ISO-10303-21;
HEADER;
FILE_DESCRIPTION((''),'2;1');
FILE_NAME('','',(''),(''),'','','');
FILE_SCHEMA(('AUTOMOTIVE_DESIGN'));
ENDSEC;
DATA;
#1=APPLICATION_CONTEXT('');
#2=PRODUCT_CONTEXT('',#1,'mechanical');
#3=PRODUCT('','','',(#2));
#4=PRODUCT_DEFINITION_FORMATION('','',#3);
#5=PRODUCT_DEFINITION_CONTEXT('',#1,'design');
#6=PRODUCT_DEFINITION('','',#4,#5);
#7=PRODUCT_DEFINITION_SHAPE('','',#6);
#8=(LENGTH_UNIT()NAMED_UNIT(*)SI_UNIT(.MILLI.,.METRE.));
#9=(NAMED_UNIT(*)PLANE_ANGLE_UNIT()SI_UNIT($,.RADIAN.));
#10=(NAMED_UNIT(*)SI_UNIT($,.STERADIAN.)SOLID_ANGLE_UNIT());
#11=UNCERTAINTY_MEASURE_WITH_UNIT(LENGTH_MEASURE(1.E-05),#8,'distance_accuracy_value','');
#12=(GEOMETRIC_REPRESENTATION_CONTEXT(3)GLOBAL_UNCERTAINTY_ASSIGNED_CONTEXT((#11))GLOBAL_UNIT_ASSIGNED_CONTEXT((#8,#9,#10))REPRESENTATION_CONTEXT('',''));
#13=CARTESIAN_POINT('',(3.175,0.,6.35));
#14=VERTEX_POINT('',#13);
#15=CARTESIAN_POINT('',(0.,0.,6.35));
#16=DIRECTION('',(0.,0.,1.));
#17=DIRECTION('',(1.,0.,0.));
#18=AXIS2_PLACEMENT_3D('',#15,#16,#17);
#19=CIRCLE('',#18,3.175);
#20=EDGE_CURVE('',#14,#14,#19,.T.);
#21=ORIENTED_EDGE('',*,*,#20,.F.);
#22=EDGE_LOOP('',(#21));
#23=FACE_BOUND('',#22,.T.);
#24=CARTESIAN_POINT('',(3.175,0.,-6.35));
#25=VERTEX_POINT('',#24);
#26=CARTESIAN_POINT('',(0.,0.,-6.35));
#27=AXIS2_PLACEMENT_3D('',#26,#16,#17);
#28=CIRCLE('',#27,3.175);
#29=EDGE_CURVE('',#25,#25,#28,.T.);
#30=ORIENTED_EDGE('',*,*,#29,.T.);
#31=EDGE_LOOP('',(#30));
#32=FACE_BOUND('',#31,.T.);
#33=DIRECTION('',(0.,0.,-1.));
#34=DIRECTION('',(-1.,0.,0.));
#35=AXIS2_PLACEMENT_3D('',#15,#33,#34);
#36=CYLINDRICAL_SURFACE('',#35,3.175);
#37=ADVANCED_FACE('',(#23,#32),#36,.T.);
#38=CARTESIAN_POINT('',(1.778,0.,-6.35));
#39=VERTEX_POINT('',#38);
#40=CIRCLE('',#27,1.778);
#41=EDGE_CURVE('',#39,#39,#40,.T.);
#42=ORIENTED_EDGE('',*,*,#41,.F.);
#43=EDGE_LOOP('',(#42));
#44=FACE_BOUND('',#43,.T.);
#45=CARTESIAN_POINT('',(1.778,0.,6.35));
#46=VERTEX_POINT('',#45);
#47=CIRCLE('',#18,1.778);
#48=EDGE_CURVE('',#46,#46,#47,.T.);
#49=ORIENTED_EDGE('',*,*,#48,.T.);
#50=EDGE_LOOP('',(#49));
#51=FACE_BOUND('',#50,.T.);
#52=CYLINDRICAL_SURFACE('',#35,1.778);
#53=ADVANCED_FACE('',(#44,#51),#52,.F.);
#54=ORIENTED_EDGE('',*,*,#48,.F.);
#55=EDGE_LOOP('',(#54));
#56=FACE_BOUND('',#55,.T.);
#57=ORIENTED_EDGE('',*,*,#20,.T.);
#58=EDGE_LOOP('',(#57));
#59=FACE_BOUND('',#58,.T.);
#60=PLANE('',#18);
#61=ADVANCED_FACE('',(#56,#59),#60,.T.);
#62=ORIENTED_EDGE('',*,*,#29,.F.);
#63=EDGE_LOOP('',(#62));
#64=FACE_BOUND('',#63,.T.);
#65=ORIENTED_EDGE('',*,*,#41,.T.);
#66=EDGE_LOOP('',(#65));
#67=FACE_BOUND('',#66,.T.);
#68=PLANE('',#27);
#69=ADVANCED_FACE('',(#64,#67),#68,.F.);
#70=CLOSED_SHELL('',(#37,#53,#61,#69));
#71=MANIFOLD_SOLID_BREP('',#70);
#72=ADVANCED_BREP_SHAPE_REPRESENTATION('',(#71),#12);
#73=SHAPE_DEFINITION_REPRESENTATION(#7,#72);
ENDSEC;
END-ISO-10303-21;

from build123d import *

# Parameters (mm, degrees)
SKETCH1_R      = 3.175
SKETCH1_R_2    = 1.778
EXTRUDE1_DEPTH = 6.35


with BuildPart() as part:
    # Sketch1 → Extrude1 (new body, symmetric)
    with BuildSketch(Plane.XY):
        Circle(SKETCH1_R)
        Circle(SKETCH1_R_2, mode=Mode.SUBTRACT)
    extrude(amount=EXTRUDE1_DEPTH, both=True)


solid = part.part
